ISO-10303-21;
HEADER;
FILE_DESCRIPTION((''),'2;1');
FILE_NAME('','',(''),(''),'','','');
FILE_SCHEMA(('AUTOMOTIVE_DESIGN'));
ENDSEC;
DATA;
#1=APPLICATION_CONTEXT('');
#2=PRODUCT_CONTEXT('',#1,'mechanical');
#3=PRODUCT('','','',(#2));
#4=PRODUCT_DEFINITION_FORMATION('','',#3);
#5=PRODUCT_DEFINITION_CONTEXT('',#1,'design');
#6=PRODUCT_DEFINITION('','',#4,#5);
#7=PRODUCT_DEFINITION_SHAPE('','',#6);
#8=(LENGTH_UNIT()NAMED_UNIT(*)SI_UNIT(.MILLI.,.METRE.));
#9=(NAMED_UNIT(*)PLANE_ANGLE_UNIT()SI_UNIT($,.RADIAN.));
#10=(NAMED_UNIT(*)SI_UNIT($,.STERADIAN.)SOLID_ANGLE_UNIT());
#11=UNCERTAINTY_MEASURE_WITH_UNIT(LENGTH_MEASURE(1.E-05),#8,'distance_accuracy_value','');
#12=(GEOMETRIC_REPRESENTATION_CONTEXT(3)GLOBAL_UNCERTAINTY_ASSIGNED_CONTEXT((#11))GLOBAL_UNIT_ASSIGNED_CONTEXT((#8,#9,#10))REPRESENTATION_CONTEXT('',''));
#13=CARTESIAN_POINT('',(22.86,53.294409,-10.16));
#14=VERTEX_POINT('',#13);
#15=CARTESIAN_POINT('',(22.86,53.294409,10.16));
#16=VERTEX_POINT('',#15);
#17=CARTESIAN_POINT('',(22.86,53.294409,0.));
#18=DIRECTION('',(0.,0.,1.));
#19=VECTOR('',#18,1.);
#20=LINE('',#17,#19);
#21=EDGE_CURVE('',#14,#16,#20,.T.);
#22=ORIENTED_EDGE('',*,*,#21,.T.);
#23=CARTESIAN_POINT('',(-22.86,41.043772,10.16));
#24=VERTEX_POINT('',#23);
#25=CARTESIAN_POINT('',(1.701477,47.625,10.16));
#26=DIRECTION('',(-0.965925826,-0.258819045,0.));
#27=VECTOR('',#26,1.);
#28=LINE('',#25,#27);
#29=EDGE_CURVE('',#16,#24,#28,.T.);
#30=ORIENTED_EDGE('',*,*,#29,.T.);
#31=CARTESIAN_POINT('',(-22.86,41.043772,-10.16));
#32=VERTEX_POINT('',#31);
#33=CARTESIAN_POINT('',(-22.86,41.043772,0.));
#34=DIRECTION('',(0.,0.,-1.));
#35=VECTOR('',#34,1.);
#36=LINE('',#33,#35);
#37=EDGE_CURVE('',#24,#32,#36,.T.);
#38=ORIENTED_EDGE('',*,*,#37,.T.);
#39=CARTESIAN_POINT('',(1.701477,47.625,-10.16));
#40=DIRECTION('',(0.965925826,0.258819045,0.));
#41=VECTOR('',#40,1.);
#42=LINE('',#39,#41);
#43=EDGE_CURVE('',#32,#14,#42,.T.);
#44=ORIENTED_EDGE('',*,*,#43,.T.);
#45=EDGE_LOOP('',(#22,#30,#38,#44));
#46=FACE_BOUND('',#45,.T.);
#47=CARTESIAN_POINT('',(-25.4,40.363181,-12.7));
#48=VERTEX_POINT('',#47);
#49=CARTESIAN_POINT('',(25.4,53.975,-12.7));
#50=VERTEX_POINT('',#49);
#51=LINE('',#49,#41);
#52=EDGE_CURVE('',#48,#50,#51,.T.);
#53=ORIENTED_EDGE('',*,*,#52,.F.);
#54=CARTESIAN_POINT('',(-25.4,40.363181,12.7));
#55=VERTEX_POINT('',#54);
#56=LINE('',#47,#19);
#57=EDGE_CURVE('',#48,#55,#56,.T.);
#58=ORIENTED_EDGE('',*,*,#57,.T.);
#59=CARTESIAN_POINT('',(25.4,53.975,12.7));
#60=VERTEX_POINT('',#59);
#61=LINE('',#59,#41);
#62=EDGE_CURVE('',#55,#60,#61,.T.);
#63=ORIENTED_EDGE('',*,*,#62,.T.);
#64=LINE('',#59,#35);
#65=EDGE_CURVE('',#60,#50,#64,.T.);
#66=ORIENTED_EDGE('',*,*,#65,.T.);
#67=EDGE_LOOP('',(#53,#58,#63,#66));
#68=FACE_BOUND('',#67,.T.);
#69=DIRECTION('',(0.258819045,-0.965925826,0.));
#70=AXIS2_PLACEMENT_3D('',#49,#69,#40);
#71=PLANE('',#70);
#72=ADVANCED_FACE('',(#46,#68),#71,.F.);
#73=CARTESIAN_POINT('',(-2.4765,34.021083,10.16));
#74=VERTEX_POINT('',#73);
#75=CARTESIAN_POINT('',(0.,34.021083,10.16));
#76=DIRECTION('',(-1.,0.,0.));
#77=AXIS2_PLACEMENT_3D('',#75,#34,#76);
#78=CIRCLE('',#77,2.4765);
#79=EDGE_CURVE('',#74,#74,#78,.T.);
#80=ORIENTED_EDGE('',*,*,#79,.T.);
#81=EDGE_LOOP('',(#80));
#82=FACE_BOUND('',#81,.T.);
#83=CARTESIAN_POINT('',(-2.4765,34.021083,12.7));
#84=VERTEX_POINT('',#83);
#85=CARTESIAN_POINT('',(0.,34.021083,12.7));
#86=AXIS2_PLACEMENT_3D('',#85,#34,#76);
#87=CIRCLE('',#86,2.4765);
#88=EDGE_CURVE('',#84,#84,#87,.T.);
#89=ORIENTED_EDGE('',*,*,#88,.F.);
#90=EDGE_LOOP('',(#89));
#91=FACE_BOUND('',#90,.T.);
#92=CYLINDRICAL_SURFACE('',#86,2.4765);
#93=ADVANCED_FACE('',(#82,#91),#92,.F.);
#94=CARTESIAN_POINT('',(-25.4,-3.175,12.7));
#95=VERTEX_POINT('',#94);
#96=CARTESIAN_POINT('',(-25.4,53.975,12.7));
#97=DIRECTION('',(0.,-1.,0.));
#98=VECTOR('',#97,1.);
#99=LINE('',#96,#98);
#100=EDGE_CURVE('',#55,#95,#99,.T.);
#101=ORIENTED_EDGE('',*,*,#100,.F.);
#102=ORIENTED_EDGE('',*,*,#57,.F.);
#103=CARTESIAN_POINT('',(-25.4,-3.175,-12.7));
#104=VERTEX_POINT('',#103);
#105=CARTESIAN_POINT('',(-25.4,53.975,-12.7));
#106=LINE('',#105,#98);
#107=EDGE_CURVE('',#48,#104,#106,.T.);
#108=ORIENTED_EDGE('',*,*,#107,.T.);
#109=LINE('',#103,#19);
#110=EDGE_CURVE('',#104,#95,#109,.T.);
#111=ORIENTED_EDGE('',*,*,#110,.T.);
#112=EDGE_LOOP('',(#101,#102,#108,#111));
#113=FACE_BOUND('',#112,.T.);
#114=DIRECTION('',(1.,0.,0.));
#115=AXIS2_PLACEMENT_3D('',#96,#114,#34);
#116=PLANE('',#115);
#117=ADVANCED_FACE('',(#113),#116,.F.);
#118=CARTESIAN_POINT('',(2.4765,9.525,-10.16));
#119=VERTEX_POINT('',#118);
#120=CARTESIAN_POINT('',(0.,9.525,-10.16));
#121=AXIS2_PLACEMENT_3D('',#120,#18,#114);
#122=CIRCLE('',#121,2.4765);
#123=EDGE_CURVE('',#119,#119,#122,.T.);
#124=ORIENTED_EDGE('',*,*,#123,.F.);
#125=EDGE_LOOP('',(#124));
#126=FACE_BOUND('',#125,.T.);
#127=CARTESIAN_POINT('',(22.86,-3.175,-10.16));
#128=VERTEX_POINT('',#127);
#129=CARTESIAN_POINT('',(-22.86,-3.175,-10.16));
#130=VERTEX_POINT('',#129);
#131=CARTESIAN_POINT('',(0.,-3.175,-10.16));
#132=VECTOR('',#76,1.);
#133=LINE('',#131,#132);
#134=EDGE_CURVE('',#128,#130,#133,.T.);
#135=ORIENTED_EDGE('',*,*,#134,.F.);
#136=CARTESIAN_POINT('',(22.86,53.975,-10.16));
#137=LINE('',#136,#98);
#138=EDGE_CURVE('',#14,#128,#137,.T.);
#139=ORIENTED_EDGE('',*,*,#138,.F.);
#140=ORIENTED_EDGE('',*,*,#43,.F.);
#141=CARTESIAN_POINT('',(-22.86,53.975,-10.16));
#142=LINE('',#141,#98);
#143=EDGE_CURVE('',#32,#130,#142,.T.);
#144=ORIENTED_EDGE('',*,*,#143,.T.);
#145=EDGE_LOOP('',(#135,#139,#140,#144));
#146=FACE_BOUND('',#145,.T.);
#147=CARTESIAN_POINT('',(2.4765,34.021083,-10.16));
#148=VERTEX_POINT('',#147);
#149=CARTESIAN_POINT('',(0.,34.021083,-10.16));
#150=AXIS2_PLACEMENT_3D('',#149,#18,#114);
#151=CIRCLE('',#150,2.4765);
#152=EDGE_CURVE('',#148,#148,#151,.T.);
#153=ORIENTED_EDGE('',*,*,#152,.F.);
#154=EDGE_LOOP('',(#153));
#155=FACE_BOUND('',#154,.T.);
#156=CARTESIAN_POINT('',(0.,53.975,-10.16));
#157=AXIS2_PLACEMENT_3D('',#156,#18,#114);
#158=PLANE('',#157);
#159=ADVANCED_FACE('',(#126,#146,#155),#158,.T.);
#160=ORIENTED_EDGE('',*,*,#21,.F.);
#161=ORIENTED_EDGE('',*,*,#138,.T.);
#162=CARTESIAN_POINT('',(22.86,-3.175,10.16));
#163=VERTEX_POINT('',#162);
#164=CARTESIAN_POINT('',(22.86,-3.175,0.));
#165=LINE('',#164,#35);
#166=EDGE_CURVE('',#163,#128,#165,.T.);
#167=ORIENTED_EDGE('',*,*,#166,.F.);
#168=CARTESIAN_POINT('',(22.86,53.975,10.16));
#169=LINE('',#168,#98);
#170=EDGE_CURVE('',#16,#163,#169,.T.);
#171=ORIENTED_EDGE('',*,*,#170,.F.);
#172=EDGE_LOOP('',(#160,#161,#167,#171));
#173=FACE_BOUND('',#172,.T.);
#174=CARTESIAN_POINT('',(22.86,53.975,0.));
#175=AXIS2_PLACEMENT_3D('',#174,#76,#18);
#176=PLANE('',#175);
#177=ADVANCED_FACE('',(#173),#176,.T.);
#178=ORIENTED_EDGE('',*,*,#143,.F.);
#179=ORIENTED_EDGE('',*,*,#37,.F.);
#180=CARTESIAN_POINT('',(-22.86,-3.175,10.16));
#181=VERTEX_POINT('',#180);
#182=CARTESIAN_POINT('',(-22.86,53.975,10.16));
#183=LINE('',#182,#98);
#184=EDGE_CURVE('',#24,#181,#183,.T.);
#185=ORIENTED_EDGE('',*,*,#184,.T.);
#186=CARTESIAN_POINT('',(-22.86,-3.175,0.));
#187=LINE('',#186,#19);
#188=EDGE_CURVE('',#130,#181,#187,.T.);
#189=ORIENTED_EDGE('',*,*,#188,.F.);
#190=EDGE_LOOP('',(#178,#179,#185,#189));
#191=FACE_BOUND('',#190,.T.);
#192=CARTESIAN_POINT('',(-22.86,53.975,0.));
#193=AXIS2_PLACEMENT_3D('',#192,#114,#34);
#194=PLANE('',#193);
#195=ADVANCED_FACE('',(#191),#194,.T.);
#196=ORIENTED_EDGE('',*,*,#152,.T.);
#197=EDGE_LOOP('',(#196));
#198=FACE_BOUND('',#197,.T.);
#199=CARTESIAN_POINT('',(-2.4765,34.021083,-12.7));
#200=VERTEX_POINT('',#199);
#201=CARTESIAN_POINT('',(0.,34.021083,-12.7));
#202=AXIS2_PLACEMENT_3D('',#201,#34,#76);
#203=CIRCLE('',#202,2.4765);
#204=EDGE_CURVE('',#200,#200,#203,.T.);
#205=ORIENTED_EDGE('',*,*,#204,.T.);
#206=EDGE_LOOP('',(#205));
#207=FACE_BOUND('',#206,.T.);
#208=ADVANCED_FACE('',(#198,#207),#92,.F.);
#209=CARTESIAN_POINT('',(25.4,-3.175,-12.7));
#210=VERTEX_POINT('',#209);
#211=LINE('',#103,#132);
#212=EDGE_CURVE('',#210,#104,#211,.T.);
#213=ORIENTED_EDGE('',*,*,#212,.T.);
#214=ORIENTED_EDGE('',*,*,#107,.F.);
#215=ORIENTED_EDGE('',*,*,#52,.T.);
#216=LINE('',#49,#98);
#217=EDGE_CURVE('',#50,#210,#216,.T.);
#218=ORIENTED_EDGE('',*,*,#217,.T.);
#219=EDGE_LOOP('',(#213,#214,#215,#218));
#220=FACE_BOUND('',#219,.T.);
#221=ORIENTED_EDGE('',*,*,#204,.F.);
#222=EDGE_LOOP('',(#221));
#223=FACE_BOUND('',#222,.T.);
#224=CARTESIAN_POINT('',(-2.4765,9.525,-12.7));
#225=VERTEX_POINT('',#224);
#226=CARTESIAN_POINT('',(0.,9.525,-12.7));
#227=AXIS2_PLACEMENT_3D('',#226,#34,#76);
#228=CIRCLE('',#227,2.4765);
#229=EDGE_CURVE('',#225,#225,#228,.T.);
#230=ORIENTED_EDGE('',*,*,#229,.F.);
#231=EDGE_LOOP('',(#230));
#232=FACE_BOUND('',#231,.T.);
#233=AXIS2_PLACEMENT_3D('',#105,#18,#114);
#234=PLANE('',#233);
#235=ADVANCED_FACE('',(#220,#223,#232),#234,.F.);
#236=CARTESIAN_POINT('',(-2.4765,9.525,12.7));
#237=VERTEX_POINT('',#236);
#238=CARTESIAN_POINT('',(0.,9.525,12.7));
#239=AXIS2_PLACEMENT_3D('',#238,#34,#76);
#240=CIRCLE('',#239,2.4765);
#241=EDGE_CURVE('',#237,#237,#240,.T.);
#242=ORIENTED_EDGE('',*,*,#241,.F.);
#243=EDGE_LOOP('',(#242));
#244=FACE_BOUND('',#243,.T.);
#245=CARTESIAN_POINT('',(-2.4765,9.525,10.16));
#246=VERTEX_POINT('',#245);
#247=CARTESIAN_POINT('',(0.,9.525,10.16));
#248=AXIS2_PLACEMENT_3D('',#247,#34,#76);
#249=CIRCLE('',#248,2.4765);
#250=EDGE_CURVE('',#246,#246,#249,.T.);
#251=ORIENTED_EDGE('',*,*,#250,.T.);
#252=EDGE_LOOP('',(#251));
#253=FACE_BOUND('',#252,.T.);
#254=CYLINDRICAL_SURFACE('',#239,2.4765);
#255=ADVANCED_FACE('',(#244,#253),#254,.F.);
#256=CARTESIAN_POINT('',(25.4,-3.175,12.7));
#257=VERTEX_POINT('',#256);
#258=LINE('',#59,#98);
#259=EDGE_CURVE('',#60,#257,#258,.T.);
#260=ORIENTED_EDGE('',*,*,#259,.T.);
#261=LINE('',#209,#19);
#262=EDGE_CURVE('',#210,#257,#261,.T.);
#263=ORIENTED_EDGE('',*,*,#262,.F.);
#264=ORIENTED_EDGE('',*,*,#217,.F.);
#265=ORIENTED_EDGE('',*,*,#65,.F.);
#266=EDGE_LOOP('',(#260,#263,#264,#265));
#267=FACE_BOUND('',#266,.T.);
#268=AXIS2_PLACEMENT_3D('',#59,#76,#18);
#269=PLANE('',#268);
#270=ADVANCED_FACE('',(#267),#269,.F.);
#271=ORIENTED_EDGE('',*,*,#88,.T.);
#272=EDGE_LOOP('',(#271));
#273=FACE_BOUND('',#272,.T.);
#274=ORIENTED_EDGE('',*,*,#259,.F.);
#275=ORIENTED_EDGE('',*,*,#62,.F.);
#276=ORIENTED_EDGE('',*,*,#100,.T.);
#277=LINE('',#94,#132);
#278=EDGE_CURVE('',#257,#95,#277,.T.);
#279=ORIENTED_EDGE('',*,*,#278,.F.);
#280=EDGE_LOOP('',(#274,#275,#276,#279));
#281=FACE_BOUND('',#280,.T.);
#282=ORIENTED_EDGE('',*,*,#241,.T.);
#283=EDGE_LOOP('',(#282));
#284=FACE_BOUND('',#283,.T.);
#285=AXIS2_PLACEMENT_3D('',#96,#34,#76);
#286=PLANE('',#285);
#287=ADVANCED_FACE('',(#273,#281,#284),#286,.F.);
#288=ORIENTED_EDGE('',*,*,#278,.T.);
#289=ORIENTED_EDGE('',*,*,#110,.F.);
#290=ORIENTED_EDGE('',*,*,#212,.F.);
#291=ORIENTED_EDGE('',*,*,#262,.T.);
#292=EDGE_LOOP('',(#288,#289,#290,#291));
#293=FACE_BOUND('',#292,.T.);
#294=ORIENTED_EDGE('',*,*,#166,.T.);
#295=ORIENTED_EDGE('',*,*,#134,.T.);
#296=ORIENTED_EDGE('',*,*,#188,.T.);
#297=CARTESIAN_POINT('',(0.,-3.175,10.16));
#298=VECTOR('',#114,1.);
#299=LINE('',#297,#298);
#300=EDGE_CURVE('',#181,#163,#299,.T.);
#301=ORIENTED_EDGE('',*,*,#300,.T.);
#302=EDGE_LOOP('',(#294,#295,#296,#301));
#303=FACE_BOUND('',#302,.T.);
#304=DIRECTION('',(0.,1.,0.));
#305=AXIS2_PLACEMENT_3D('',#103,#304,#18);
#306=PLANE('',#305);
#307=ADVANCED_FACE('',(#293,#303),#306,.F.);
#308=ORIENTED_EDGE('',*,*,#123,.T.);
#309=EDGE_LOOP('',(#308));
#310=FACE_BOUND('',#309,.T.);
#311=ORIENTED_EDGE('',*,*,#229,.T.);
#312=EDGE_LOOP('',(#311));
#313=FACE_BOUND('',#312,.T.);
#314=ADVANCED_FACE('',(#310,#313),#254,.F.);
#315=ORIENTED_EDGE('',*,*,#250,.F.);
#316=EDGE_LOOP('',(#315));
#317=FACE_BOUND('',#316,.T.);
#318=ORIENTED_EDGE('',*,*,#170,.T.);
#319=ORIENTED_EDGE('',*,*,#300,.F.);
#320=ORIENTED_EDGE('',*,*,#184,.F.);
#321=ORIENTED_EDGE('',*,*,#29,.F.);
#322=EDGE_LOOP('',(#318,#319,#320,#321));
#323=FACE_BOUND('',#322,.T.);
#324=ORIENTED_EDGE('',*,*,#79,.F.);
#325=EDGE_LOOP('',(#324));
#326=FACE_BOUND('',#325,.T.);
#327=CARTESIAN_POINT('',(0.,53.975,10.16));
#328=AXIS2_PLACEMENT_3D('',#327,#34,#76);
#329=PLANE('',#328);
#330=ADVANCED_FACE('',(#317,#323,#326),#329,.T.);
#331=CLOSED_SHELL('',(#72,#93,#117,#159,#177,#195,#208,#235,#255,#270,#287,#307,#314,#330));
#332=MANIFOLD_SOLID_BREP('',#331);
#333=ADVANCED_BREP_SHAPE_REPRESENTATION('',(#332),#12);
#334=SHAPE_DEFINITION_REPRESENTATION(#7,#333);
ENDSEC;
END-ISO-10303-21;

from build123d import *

# Parameters (mm, degrees)
SKETCH1_W           = 50.8
SKETCH1_H           = 25.4
SKETCH1_W_2         = 45.72
SKETCH1_H_2         = 20.32
EXTRUDE_THIN1_DEPTH = 53.975
CUT_EXTRUDE1_DEPTH  = 26.4
SKETCH3_W           = 50.8
SKETCH3_H           = 50.8
CUT_EXTRUDE2_DEPTH  = 26.4
SKETCH5_R           = 2.4765
CUT_EXTRUDE4_DEPTH  = 26.4


with BuildPart() as part:
    # Sketch1 → Extrude-Thin1 (new body, symmetric)
    with BuildSketch(Plane(origin=(0, 0, 0), x_dir=(1, 0, 0), z_dir=(0, 1, 0))):
        Rectangle(SKETCH1_W, SKETCH1_H)
        Rectangle(SKETCH1_W_2, SKETCH1_H_2, mode=Mode.SUBTRACT)
    extrude(amount=EXTRUDE_THIN1_DEPTH, both=True)

    # Sketch2 → Cut-Extrude1 (cut, through all)
    with BuildSketch(Plane.XY.offset(12.7)):
        Polygon((-25.4, 53.975), (25.4, 53.975), (-25.4, 40.363181024), align=None)
    extrude(amount=-CUT_EXTRUDE1_DEPTH, mode=Mode.SUBTRACT)

    # Sketch3 → Cut-Extrude2 (cut, through all)
    with BuildSketch(Plane.XY.offset(12.7)):
        with Locations((0, -28.575)):
            Rectangle(SKETCH3_W, SKETCH3_H)
    extrude(amount=-CUT_EXTRUDE2_DEPTH, mode=Mode.SUBTRACT)

    # Sketch5 → Cut-Extrude4 (cut, through all)
    with BuildSketch(Plane(origin=(0, 0, -12.7), x_dir=(-1, 0, 0), z_dir=(0, 0, -1))):
        with Locations((0, 9.525)):
            Circle(SKETCH5_R)
        with Locations((0, 34.021083021)):
            Circle(SKETCH5_R)
    extrude(amount=-CUT_EXTRUDE4_DEPTH, mode=Mode.SUBTRACT)


solid = part.part
